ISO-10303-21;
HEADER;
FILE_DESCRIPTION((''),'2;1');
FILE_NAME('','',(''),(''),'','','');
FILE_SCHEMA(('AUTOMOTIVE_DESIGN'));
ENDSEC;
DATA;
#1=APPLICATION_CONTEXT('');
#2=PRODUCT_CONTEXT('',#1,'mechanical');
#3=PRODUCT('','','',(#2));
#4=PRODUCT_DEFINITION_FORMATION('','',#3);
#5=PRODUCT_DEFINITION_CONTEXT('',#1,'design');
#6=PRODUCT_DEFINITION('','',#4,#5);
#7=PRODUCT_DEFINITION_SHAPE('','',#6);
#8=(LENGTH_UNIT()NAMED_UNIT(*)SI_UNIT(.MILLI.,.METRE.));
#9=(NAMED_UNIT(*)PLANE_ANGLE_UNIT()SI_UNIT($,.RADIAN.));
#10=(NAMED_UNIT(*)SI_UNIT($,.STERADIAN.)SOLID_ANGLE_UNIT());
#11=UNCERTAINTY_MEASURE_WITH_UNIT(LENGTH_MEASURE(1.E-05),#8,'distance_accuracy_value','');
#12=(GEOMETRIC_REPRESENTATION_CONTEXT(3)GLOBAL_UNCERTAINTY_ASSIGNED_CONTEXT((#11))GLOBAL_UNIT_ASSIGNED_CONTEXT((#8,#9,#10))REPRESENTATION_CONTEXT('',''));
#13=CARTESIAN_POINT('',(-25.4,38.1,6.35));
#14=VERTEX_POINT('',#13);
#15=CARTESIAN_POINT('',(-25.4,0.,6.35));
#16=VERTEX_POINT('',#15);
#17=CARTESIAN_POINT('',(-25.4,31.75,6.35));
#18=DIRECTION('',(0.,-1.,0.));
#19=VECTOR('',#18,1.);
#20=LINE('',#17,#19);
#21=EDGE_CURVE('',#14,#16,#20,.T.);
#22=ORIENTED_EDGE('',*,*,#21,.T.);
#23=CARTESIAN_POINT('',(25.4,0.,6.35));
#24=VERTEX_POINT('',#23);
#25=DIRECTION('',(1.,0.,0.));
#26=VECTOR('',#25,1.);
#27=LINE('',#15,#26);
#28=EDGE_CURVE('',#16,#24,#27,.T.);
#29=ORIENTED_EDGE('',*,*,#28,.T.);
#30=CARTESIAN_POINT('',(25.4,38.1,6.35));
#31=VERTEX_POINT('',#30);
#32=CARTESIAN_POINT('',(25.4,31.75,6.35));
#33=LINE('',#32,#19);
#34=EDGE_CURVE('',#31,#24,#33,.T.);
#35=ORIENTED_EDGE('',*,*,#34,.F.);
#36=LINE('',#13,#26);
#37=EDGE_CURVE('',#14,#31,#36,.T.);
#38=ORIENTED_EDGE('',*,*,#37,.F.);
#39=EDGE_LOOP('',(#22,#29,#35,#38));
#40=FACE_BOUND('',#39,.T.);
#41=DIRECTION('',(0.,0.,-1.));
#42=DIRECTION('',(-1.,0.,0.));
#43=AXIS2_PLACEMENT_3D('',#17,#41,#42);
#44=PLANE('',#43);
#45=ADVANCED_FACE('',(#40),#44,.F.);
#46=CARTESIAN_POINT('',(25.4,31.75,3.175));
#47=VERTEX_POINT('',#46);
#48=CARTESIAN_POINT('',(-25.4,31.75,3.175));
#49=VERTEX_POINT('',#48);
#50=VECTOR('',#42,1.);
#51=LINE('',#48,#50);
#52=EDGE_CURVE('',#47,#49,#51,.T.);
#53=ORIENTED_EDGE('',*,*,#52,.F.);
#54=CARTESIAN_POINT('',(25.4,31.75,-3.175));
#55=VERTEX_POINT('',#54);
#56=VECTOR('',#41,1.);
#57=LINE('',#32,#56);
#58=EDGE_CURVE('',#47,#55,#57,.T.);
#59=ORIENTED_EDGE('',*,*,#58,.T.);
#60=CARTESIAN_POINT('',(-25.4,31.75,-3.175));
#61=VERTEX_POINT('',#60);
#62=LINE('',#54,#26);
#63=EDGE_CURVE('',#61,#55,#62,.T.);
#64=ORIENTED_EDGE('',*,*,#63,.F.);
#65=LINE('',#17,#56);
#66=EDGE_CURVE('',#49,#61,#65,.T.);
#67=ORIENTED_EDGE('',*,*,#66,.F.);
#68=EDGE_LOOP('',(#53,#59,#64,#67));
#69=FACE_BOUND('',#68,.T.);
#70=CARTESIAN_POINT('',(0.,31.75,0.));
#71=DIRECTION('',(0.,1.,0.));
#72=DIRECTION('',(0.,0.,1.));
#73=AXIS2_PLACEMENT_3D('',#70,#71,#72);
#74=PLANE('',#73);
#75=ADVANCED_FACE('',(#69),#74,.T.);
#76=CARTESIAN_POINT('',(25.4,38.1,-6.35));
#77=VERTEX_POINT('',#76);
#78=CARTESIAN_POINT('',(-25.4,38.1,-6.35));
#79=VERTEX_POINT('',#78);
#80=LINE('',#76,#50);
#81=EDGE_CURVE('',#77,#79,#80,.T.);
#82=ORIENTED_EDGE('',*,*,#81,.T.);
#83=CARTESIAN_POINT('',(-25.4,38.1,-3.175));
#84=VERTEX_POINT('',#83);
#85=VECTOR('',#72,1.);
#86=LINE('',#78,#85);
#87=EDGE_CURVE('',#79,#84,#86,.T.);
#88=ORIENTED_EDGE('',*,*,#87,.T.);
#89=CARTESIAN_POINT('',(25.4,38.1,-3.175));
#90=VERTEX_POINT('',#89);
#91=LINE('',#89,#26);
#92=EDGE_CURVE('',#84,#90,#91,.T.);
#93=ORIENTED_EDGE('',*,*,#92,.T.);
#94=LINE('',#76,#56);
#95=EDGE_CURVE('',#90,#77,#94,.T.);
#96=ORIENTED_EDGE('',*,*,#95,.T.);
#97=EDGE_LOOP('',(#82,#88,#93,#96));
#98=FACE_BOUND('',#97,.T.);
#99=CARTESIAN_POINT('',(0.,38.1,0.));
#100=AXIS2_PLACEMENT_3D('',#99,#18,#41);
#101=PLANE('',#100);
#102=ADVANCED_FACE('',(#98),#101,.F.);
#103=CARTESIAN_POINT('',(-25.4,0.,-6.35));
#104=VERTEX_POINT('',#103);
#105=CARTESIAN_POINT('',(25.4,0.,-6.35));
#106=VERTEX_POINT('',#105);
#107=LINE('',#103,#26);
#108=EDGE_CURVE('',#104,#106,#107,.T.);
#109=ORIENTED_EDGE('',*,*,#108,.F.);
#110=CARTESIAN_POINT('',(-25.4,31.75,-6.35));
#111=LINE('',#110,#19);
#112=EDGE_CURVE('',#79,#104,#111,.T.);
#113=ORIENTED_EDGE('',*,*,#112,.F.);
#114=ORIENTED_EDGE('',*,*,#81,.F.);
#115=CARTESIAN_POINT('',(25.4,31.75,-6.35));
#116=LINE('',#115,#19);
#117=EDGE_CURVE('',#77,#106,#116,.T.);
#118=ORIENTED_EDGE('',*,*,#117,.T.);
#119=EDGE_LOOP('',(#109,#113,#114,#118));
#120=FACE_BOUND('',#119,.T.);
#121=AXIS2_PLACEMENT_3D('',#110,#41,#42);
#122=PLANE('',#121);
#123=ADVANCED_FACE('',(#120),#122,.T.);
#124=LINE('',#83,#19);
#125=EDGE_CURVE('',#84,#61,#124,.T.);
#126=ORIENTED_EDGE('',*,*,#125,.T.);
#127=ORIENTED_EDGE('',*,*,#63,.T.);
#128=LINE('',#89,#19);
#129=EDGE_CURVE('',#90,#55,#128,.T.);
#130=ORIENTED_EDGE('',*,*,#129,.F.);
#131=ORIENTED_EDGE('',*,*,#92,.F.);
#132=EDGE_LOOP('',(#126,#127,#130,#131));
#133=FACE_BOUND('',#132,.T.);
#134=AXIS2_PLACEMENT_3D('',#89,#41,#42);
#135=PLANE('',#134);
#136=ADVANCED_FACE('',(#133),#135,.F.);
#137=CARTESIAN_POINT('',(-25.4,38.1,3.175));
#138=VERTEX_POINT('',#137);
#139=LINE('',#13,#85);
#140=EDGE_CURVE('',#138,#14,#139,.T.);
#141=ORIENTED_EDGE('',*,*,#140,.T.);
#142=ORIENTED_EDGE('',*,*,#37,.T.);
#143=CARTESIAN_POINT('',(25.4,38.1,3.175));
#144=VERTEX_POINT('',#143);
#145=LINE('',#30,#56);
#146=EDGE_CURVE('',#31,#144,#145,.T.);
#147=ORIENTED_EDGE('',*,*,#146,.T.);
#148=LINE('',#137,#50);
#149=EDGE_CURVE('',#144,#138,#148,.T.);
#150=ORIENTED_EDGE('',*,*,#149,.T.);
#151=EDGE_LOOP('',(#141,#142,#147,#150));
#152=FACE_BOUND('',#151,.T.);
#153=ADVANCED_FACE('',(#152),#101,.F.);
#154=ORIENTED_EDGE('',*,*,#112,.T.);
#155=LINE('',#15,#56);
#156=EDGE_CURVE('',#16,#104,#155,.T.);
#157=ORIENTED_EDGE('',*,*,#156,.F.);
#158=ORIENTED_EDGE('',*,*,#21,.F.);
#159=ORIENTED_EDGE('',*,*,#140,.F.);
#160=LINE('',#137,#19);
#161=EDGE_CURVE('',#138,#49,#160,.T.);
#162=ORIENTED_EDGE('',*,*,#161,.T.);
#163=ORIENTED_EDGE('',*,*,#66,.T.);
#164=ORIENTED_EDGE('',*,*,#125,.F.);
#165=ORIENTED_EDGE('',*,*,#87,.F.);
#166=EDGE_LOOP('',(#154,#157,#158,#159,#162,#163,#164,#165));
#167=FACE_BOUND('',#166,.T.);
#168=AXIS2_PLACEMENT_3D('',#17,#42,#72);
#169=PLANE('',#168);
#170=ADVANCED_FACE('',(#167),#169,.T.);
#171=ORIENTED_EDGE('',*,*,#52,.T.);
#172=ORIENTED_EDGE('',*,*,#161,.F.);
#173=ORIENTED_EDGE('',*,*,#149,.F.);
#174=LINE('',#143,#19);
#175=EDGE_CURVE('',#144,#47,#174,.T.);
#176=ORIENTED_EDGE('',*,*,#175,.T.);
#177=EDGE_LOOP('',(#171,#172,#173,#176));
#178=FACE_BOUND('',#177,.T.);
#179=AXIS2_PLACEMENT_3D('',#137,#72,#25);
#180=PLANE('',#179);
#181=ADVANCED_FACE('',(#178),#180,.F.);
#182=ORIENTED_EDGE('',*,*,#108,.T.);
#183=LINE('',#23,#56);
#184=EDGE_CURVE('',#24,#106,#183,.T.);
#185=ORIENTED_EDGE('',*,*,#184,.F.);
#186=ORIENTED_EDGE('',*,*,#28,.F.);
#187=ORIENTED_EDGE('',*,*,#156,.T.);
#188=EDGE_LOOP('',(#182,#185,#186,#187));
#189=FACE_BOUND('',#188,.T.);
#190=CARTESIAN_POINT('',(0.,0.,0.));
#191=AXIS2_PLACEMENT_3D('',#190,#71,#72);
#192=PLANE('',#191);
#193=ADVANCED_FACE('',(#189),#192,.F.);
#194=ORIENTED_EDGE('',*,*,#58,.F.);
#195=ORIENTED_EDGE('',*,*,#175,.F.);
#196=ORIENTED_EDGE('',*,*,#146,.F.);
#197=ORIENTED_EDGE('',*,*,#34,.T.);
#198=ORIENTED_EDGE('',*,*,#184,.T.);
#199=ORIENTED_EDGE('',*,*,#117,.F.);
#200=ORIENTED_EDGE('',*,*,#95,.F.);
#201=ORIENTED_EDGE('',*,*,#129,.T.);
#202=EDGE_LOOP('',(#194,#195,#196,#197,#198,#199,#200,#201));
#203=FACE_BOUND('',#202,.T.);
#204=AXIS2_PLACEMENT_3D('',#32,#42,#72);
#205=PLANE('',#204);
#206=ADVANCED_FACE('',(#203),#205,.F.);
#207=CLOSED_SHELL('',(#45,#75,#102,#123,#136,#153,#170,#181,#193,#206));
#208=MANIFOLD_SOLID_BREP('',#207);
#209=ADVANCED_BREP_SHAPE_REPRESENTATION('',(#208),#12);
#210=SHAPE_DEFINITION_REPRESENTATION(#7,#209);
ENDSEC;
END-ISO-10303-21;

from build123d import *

# Parameters (mm, degrees)
SKETCH1_W           = 50.8
SKETCH1_H           = 12.7
BOSS_EXTRUDE1_DEPTH = 31.75
SKETCH2_W           = 50.8
SKETCH2_H           = 3.175
BOSS_EXTRUDE2_DEPTH = 6.35


with BuildPart() as part:
    # Sketch1 → Boss-Extrude1 (new body)
    with BuildSketch(Plane(origin=(0, 0, 0), x_dir=(1, 0, 0), z_dir=(0, 1, 0))):
        Rectangle(SKETCH1_W, SKETCH1_H)
    extrude(amount=BOSS_EXTRUDE1_DEPTH)

    # Sketch2 → Boss-Extrude2 (add)
    with BuildSketch(Plane(origin=(0, 31.75, 0), x_dir=(1, 0, 0), z_dir=(0, 1, 0))):
        with Locations((0, -4.7625)):
            Rectangle(SKETCH2_W, SKETCH2_H)
        with Locations((0, 4.7625)):
            Rectangle(SKETCH2_W, SKETCH2_H)
    extrude(amount=BOSS_EXTRUDE2_DEPTH)


solid = part.part
